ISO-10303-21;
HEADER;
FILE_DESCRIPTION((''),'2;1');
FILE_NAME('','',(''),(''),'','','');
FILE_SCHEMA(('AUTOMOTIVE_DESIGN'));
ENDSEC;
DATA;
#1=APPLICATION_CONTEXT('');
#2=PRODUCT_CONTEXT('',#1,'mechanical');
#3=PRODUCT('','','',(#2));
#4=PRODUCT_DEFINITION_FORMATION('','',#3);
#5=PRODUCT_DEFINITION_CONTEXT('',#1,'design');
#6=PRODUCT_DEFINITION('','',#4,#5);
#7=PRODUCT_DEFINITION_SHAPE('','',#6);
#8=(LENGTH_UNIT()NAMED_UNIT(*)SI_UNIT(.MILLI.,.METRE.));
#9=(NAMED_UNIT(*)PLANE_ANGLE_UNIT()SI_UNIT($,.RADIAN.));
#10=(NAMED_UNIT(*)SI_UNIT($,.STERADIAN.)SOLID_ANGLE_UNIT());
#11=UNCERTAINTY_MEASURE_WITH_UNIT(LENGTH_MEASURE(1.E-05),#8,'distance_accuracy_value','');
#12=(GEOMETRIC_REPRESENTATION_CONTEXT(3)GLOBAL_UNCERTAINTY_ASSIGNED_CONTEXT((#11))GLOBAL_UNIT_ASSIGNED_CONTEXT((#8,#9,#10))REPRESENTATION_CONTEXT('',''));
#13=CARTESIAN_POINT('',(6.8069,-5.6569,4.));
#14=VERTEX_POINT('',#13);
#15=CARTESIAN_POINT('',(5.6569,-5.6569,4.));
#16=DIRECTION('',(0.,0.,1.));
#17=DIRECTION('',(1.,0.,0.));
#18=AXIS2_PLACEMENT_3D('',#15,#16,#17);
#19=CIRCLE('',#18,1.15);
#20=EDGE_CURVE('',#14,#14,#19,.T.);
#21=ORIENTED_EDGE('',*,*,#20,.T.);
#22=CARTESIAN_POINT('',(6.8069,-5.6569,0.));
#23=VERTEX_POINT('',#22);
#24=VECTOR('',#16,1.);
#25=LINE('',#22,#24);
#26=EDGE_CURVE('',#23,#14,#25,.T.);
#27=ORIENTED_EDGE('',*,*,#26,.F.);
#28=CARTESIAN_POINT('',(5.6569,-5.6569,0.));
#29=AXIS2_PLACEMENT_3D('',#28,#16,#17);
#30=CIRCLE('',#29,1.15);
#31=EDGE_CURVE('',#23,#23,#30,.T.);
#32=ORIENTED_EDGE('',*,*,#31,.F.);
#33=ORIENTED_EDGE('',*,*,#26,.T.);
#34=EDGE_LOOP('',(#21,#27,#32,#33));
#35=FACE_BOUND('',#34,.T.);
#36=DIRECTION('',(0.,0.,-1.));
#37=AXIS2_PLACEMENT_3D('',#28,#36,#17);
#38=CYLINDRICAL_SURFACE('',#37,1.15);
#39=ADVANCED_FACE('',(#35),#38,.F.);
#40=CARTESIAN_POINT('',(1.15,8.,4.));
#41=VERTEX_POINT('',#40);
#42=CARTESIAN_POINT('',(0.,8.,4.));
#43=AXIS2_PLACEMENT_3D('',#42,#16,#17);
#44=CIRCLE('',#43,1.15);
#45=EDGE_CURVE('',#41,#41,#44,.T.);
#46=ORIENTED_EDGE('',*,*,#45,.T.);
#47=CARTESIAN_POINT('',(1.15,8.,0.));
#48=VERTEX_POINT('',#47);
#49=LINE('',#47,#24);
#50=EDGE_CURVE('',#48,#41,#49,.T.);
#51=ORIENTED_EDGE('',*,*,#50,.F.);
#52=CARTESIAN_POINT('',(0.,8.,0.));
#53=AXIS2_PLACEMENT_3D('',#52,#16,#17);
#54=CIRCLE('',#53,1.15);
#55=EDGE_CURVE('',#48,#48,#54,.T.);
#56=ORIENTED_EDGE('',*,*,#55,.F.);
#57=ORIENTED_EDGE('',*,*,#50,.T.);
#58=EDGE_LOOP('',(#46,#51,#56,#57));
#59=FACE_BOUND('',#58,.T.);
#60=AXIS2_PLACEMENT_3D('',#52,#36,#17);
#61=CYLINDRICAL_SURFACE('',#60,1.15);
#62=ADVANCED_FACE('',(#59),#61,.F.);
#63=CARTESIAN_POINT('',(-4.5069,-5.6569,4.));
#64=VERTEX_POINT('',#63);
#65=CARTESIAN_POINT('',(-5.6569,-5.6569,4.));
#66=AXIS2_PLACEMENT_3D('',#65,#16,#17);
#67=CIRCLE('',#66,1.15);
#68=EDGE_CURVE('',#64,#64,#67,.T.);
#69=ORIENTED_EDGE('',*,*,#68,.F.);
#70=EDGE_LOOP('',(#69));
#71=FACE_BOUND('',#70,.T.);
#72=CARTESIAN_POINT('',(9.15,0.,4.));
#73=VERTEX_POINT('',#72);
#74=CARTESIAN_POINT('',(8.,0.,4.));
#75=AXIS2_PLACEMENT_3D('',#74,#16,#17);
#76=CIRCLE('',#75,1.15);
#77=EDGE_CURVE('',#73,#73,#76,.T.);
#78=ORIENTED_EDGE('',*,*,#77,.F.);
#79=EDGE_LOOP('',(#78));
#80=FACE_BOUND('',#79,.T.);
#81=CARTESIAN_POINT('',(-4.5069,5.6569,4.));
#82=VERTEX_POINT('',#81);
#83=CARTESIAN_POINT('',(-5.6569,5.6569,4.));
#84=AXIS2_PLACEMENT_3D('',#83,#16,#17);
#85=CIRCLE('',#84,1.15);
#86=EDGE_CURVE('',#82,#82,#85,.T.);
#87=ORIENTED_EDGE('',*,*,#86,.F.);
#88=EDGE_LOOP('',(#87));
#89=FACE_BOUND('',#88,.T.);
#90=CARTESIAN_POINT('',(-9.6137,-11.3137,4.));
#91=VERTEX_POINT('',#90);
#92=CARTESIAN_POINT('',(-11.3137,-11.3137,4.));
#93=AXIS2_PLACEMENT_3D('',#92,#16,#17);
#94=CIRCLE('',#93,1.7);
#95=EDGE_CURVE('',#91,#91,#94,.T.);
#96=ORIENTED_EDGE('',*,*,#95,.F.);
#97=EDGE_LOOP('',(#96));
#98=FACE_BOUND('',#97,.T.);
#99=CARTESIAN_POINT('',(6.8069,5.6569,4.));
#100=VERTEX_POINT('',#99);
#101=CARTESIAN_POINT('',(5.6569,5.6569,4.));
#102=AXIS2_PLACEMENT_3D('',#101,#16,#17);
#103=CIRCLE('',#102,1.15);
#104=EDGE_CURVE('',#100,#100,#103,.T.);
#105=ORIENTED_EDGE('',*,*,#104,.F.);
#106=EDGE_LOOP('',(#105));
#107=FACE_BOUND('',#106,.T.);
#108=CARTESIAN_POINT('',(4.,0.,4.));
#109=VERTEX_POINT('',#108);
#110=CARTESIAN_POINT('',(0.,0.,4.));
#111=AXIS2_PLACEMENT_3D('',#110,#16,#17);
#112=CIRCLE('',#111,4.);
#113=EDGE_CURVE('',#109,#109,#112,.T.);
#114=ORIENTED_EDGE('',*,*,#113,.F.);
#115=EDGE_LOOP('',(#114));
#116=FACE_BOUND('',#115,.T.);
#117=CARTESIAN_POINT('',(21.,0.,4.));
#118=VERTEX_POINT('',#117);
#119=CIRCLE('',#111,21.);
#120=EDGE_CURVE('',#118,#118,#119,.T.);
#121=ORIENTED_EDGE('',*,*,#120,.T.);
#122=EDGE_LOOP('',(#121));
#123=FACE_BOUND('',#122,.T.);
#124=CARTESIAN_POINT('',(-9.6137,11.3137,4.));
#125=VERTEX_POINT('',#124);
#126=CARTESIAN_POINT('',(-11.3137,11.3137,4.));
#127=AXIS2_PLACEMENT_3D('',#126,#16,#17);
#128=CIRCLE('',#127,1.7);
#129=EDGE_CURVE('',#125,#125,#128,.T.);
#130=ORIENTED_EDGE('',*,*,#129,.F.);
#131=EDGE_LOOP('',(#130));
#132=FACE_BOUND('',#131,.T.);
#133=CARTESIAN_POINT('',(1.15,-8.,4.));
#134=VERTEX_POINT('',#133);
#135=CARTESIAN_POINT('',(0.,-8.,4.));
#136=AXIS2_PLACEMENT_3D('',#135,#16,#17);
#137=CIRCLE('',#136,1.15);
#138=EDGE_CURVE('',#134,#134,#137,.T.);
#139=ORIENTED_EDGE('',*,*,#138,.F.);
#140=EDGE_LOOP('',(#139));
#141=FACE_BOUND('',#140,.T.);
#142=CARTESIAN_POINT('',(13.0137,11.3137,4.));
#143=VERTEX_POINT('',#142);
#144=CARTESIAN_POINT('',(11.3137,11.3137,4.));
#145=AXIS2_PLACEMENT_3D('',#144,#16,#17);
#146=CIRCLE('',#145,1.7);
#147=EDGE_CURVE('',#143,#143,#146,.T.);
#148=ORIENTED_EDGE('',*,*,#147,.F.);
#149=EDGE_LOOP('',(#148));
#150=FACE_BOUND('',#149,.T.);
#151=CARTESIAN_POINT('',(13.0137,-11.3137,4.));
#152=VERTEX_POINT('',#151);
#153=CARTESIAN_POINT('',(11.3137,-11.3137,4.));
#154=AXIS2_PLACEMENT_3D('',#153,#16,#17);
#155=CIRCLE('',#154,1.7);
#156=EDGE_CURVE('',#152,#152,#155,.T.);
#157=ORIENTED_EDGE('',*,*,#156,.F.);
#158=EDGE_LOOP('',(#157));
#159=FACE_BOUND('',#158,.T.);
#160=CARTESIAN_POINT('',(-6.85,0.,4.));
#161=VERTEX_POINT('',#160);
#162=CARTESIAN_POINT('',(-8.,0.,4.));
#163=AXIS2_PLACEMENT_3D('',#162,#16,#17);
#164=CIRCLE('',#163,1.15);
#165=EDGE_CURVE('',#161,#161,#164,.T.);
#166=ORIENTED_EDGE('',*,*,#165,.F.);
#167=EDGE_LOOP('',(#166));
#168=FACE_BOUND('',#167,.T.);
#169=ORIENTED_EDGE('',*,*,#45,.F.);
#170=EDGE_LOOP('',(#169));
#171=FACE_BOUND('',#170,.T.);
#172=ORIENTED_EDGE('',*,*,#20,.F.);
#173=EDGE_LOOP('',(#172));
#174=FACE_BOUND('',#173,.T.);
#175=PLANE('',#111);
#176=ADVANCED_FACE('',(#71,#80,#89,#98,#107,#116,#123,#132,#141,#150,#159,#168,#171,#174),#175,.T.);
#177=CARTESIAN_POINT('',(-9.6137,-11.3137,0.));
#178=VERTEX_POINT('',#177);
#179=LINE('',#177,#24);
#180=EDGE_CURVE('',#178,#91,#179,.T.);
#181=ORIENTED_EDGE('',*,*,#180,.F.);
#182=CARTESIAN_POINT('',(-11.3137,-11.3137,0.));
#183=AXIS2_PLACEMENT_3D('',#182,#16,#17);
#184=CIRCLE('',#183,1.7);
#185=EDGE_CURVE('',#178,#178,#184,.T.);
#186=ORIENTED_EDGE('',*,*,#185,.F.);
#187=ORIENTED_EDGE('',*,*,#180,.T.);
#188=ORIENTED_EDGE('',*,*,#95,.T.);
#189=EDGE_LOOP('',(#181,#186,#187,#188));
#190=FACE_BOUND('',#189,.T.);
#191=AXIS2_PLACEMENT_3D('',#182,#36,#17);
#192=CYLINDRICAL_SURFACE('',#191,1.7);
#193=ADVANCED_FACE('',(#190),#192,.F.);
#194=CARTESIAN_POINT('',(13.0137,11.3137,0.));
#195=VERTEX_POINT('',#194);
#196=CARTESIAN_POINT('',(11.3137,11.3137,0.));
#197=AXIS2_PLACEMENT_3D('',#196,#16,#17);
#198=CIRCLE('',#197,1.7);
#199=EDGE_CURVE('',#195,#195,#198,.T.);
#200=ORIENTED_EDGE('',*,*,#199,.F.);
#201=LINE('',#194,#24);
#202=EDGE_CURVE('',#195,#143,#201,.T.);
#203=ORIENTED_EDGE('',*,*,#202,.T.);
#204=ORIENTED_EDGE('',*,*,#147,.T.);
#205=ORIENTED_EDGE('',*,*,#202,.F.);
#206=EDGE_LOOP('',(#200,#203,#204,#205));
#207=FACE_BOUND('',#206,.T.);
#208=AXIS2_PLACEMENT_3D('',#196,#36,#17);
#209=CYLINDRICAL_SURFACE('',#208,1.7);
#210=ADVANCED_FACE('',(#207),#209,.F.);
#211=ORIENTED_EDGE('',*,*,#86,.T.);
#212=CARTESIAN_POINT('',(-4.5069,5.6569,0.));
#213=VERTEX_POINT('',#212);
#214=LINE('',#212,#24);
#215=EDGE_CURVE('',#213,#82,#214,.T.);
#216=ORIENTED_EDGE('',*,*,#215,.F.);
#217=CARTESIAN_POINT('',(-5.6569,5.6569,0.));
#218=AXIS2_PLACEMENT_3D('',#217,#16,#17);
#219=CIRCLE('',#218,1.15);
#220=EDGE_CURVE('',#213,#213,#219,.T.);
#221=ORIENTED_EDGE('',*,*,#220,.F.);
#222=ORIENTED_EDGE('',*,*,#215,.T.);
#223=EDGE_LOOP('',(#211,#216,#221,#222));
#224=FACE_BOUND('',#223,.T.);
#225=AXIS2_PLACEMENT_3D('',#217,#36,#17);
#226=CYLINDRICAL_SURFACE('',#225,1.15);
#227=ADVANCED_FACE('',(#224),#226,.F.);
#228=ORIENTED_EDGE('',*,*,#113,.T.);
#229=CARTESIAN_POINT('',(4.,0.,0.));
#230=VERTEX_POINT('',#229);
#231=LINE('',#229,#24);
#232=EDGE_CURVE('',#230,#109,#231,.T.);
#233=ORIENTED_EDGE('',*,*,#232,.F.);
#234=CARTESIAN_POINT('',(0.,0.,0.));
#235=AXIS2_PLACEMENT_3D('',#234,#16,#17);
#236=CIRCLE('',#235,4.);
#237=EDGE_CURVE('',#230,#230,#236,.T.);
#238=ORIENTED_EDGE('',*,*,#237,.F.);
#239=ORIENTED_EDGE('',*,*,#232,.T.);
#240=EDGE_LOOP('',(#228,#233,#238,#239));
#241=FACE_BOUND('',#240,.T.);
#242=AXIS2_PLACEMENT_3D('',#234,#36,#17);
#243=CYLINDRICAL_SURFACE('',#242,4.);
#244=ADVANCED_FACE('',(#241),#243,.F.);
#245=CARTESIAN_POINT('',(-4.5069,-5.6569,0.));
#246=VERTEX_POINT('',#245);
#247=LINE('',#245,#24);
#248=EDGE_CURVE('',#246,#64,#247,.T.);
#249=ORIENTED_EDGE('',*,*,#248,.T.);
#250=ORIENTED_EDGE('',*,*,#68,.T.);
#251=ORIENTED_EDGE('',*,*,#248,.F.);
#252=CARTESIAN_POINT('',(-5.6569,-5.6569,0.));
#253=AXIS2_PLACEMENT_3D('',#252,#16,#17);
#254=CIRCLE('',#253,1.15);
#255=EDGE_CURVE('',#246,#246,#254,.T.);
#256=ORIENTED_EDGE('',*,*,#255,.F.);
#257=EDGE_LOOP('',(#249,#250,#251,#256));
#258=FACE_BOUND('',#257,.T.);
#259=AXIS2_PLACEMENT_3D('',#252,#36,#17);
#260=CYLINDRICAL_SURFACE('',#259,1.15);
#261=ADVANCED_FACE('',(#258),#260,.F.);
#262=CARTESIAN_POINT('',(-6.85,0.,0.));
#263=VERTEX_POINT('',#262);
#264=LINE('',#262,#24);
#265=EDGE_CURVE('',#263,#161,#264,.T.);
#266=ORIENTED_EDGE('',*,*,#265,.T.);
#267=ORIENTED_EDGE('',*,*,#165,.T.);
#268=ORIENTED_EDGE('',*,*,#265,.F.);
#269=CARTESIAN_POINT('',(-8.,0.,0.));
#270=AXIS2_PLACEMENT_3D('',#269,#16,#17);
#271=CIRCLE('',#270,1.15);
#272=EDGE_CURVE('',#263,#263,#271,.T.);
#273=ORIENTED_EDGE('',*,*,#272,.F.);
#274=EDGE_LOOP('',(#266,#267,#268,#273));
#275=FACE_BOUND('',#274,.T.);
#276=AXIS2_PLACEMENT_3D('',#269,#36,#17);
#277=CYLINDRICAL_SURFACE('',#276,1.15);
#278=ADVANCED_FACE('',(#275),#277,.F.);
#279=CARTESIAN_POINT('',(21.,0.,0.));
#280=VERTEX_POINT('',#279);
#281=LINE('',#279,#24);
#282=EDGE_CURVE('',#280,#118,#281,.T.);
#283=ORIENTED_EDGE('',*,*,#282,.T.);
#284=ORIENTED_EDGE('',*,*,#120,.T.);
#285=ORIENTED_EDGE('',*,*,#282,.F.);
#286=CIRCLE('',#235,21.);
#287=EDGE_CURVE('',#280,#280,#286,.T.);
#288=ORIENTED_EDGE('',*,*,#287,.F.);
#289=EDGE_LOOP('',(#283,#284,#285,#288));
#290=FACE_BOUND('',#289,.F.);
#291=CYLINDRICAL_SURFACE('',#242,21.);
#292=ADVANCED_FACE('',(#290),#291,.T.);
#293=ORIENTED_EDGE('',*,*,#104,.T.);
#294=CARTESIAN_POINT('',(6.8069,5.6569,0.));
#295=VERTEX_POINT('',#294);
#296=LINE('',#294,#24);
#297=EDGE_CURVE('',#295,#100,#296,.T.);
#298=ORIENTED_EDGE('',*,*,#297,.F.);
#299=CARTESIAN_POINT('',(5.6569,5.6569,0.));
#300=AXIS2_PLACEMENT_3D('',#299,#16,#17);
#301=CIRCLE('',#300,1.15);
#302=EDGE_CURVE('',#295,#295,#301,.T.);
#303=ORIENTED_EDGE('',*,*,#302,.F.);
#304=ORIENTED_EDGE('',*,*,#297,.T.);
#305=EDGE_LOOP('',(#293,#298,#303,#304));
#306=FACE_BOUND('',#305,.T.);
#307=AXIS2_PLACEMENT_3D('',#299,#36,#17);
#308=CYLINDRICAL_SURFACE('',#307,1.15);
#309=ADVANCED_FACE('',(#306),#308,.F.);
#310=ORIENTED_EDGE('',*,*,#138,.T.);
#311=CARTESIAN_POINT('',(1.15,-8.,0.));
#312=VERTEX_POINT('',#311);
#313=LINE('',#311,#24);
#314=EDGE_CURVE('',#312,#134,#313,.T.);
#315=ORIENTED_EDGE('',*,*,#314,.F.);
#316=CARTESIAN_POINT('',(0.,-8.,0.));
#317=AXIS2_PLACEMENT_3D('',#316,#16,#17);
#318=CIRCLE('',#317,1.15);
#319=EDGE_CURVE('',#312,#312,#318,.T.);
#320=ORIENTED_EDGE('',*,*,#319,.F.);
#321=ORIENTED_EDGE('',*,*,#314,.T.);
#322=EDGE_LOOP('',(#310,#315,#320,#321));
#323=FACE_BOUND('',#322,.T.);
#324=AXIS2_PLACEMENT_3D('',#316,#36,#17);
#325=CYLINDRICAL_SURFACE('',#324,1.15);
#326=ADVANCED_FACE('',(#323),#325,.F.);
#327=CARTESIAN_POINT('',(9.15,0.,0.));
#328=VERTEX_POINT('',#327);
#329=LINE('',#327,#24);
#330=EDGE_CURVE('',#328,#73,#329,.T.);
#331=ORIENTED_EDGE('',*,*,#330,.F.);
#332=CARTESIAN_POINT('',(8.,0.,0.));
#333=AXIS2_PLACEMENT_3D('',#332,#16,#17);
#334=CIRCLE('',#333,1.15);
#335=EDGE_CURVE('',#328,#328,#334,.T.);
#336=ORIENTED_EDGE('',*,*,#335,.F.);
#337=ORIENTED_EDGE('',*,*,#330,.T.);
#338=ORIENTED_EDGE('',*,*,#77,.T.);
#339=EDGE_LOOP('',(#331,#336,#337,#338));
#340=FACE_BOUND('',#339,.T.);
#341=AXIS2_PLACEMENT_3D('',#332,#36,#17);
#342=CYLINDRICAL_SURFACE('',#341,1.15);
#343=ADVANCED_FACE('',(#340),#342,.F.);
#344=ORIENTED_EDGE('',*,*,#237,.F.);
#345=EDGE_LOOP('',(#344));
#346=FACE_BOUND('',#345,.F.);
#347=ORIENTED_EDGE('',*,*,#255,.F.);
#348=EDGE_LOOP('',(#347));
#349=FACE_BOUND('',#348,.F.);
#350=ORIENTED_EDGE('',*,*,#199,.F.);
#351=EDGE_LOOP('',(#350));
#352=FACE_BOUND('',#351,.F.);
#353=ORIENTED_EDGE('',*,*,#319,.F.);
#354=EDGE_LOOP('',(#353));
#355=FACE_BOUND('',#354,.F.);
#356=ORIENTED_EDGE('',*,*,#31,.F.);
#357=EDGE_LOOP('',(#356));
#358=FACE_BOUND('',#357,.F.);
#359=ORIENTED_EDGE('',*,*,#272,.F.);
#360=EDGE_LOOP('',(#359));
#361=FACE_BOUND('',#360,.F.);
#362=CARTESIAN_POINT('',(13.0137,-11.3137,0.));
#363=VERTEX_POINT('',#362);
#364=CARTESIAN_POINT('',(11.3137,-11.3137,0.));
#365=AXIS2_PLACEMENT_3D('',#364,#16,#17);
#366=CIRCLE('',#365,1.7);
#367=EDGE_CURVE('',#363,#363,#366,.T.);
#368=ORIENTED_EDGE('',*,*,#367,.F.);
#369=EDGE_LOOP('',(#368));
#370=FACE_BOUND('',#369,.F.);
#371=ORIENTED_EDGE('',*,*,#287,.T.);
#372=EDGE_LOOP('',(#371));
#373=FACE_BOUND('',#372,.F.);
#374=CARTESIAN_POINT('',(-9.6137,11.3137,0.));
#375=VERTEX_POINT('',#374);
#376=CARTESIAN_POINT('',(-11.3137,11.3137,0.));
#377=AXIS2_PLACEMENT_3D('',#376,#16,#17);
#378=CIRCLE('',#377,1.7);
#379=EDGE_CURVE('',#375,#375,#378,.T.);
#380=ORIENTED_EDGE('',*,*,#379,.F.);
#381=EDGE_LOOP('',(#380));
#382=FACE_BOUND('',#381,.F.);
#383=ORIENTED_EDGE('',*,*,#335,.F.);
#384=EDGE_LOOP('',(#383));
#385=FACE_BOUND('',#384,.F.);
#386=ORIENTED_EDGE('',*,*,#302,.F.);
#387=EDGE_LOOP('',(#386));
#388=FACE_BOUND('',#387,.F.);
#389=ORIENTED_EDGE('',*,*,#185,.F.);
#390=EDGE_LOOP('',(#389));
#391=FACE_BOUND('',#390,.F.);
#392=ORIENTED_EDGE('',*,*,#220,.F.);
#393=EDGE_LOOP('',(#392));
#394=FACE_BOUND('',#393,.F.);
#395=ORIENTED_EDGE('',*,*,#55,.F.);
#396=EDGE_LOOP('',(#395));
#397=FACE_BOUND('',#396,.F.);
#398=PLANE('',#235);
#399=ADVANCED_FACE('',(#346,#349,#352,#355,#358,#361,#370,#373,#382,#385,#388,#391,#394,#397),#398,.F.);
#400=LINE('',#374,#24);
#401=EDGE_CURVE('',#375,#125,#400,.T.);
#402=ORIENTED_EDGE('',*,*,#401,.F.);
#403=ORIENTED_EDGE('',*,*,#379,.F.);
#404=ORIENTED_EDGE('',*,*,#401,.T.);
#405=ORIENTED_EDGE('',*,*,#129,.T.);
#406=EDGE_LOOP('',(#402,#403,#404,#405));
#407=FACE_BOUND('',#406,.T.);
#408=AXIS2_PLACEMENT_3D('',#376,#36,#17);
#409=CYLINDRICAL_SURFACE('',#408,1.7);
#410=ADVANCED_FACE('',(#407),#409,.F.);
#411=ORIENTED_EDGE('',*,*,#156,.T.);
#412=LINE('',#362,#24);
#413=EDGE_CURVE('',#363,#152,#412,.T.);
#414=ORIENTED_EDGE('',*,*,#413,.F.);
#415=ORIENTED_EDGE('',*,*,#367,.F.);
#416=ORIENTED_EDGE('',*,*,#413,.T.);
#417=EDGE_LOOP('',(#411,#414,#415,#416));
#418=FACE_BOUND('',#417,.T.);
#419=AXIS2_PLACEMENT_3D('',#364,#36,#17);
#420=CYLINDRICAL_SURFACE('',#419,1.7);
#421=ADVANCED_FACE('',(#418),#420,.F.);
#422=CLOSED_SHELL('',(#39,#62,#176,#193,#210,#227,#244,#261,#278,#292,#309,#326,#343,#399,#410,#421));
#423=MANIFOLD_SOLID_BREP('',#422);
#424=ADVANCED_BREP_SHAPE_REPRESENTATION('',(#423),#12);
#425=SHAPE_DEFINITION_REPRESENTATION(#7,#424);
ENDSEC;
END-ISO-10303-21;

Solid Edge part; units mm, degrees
sketch "Sketch1" plane through (0, 0, 0) normal (0, 0, 1) x (1, 0, 0)
  circle A0 centre (0, 0) radius 21
  circle A1 centre (0, 0) radius 4
  circle A2 centre (8, 0) radius 1.15
  circle A3 centre (5.6569, 5.6569) radius 1.15
  circle A4 centre (0, 8) radius 1.15
  circle A5 centre (-5.6569, 5.6569) radius 1.15
  circle A6 centre (-8, 0) radius 1.15
  circle A7 centre (-5.6569, -5.6569) radius 1.15
  circle A8 centre (0, -8) radius 1.15
  circle A9 centre (5.6569, -5.6569) radius 1.15
  circle A10 centre (11.3137, 11.3137) radius 1.7
  circle A11 centre (-11.3137, 11.3137) radius 1.7
  circle A12 centre (-11.3137, -11.3137) radius 1.7
  circle A13 centre (11.3137, -11.3137) radius 1.7
extrude "Protrusion1" add sketch "Sketch1" along normal blind 4
